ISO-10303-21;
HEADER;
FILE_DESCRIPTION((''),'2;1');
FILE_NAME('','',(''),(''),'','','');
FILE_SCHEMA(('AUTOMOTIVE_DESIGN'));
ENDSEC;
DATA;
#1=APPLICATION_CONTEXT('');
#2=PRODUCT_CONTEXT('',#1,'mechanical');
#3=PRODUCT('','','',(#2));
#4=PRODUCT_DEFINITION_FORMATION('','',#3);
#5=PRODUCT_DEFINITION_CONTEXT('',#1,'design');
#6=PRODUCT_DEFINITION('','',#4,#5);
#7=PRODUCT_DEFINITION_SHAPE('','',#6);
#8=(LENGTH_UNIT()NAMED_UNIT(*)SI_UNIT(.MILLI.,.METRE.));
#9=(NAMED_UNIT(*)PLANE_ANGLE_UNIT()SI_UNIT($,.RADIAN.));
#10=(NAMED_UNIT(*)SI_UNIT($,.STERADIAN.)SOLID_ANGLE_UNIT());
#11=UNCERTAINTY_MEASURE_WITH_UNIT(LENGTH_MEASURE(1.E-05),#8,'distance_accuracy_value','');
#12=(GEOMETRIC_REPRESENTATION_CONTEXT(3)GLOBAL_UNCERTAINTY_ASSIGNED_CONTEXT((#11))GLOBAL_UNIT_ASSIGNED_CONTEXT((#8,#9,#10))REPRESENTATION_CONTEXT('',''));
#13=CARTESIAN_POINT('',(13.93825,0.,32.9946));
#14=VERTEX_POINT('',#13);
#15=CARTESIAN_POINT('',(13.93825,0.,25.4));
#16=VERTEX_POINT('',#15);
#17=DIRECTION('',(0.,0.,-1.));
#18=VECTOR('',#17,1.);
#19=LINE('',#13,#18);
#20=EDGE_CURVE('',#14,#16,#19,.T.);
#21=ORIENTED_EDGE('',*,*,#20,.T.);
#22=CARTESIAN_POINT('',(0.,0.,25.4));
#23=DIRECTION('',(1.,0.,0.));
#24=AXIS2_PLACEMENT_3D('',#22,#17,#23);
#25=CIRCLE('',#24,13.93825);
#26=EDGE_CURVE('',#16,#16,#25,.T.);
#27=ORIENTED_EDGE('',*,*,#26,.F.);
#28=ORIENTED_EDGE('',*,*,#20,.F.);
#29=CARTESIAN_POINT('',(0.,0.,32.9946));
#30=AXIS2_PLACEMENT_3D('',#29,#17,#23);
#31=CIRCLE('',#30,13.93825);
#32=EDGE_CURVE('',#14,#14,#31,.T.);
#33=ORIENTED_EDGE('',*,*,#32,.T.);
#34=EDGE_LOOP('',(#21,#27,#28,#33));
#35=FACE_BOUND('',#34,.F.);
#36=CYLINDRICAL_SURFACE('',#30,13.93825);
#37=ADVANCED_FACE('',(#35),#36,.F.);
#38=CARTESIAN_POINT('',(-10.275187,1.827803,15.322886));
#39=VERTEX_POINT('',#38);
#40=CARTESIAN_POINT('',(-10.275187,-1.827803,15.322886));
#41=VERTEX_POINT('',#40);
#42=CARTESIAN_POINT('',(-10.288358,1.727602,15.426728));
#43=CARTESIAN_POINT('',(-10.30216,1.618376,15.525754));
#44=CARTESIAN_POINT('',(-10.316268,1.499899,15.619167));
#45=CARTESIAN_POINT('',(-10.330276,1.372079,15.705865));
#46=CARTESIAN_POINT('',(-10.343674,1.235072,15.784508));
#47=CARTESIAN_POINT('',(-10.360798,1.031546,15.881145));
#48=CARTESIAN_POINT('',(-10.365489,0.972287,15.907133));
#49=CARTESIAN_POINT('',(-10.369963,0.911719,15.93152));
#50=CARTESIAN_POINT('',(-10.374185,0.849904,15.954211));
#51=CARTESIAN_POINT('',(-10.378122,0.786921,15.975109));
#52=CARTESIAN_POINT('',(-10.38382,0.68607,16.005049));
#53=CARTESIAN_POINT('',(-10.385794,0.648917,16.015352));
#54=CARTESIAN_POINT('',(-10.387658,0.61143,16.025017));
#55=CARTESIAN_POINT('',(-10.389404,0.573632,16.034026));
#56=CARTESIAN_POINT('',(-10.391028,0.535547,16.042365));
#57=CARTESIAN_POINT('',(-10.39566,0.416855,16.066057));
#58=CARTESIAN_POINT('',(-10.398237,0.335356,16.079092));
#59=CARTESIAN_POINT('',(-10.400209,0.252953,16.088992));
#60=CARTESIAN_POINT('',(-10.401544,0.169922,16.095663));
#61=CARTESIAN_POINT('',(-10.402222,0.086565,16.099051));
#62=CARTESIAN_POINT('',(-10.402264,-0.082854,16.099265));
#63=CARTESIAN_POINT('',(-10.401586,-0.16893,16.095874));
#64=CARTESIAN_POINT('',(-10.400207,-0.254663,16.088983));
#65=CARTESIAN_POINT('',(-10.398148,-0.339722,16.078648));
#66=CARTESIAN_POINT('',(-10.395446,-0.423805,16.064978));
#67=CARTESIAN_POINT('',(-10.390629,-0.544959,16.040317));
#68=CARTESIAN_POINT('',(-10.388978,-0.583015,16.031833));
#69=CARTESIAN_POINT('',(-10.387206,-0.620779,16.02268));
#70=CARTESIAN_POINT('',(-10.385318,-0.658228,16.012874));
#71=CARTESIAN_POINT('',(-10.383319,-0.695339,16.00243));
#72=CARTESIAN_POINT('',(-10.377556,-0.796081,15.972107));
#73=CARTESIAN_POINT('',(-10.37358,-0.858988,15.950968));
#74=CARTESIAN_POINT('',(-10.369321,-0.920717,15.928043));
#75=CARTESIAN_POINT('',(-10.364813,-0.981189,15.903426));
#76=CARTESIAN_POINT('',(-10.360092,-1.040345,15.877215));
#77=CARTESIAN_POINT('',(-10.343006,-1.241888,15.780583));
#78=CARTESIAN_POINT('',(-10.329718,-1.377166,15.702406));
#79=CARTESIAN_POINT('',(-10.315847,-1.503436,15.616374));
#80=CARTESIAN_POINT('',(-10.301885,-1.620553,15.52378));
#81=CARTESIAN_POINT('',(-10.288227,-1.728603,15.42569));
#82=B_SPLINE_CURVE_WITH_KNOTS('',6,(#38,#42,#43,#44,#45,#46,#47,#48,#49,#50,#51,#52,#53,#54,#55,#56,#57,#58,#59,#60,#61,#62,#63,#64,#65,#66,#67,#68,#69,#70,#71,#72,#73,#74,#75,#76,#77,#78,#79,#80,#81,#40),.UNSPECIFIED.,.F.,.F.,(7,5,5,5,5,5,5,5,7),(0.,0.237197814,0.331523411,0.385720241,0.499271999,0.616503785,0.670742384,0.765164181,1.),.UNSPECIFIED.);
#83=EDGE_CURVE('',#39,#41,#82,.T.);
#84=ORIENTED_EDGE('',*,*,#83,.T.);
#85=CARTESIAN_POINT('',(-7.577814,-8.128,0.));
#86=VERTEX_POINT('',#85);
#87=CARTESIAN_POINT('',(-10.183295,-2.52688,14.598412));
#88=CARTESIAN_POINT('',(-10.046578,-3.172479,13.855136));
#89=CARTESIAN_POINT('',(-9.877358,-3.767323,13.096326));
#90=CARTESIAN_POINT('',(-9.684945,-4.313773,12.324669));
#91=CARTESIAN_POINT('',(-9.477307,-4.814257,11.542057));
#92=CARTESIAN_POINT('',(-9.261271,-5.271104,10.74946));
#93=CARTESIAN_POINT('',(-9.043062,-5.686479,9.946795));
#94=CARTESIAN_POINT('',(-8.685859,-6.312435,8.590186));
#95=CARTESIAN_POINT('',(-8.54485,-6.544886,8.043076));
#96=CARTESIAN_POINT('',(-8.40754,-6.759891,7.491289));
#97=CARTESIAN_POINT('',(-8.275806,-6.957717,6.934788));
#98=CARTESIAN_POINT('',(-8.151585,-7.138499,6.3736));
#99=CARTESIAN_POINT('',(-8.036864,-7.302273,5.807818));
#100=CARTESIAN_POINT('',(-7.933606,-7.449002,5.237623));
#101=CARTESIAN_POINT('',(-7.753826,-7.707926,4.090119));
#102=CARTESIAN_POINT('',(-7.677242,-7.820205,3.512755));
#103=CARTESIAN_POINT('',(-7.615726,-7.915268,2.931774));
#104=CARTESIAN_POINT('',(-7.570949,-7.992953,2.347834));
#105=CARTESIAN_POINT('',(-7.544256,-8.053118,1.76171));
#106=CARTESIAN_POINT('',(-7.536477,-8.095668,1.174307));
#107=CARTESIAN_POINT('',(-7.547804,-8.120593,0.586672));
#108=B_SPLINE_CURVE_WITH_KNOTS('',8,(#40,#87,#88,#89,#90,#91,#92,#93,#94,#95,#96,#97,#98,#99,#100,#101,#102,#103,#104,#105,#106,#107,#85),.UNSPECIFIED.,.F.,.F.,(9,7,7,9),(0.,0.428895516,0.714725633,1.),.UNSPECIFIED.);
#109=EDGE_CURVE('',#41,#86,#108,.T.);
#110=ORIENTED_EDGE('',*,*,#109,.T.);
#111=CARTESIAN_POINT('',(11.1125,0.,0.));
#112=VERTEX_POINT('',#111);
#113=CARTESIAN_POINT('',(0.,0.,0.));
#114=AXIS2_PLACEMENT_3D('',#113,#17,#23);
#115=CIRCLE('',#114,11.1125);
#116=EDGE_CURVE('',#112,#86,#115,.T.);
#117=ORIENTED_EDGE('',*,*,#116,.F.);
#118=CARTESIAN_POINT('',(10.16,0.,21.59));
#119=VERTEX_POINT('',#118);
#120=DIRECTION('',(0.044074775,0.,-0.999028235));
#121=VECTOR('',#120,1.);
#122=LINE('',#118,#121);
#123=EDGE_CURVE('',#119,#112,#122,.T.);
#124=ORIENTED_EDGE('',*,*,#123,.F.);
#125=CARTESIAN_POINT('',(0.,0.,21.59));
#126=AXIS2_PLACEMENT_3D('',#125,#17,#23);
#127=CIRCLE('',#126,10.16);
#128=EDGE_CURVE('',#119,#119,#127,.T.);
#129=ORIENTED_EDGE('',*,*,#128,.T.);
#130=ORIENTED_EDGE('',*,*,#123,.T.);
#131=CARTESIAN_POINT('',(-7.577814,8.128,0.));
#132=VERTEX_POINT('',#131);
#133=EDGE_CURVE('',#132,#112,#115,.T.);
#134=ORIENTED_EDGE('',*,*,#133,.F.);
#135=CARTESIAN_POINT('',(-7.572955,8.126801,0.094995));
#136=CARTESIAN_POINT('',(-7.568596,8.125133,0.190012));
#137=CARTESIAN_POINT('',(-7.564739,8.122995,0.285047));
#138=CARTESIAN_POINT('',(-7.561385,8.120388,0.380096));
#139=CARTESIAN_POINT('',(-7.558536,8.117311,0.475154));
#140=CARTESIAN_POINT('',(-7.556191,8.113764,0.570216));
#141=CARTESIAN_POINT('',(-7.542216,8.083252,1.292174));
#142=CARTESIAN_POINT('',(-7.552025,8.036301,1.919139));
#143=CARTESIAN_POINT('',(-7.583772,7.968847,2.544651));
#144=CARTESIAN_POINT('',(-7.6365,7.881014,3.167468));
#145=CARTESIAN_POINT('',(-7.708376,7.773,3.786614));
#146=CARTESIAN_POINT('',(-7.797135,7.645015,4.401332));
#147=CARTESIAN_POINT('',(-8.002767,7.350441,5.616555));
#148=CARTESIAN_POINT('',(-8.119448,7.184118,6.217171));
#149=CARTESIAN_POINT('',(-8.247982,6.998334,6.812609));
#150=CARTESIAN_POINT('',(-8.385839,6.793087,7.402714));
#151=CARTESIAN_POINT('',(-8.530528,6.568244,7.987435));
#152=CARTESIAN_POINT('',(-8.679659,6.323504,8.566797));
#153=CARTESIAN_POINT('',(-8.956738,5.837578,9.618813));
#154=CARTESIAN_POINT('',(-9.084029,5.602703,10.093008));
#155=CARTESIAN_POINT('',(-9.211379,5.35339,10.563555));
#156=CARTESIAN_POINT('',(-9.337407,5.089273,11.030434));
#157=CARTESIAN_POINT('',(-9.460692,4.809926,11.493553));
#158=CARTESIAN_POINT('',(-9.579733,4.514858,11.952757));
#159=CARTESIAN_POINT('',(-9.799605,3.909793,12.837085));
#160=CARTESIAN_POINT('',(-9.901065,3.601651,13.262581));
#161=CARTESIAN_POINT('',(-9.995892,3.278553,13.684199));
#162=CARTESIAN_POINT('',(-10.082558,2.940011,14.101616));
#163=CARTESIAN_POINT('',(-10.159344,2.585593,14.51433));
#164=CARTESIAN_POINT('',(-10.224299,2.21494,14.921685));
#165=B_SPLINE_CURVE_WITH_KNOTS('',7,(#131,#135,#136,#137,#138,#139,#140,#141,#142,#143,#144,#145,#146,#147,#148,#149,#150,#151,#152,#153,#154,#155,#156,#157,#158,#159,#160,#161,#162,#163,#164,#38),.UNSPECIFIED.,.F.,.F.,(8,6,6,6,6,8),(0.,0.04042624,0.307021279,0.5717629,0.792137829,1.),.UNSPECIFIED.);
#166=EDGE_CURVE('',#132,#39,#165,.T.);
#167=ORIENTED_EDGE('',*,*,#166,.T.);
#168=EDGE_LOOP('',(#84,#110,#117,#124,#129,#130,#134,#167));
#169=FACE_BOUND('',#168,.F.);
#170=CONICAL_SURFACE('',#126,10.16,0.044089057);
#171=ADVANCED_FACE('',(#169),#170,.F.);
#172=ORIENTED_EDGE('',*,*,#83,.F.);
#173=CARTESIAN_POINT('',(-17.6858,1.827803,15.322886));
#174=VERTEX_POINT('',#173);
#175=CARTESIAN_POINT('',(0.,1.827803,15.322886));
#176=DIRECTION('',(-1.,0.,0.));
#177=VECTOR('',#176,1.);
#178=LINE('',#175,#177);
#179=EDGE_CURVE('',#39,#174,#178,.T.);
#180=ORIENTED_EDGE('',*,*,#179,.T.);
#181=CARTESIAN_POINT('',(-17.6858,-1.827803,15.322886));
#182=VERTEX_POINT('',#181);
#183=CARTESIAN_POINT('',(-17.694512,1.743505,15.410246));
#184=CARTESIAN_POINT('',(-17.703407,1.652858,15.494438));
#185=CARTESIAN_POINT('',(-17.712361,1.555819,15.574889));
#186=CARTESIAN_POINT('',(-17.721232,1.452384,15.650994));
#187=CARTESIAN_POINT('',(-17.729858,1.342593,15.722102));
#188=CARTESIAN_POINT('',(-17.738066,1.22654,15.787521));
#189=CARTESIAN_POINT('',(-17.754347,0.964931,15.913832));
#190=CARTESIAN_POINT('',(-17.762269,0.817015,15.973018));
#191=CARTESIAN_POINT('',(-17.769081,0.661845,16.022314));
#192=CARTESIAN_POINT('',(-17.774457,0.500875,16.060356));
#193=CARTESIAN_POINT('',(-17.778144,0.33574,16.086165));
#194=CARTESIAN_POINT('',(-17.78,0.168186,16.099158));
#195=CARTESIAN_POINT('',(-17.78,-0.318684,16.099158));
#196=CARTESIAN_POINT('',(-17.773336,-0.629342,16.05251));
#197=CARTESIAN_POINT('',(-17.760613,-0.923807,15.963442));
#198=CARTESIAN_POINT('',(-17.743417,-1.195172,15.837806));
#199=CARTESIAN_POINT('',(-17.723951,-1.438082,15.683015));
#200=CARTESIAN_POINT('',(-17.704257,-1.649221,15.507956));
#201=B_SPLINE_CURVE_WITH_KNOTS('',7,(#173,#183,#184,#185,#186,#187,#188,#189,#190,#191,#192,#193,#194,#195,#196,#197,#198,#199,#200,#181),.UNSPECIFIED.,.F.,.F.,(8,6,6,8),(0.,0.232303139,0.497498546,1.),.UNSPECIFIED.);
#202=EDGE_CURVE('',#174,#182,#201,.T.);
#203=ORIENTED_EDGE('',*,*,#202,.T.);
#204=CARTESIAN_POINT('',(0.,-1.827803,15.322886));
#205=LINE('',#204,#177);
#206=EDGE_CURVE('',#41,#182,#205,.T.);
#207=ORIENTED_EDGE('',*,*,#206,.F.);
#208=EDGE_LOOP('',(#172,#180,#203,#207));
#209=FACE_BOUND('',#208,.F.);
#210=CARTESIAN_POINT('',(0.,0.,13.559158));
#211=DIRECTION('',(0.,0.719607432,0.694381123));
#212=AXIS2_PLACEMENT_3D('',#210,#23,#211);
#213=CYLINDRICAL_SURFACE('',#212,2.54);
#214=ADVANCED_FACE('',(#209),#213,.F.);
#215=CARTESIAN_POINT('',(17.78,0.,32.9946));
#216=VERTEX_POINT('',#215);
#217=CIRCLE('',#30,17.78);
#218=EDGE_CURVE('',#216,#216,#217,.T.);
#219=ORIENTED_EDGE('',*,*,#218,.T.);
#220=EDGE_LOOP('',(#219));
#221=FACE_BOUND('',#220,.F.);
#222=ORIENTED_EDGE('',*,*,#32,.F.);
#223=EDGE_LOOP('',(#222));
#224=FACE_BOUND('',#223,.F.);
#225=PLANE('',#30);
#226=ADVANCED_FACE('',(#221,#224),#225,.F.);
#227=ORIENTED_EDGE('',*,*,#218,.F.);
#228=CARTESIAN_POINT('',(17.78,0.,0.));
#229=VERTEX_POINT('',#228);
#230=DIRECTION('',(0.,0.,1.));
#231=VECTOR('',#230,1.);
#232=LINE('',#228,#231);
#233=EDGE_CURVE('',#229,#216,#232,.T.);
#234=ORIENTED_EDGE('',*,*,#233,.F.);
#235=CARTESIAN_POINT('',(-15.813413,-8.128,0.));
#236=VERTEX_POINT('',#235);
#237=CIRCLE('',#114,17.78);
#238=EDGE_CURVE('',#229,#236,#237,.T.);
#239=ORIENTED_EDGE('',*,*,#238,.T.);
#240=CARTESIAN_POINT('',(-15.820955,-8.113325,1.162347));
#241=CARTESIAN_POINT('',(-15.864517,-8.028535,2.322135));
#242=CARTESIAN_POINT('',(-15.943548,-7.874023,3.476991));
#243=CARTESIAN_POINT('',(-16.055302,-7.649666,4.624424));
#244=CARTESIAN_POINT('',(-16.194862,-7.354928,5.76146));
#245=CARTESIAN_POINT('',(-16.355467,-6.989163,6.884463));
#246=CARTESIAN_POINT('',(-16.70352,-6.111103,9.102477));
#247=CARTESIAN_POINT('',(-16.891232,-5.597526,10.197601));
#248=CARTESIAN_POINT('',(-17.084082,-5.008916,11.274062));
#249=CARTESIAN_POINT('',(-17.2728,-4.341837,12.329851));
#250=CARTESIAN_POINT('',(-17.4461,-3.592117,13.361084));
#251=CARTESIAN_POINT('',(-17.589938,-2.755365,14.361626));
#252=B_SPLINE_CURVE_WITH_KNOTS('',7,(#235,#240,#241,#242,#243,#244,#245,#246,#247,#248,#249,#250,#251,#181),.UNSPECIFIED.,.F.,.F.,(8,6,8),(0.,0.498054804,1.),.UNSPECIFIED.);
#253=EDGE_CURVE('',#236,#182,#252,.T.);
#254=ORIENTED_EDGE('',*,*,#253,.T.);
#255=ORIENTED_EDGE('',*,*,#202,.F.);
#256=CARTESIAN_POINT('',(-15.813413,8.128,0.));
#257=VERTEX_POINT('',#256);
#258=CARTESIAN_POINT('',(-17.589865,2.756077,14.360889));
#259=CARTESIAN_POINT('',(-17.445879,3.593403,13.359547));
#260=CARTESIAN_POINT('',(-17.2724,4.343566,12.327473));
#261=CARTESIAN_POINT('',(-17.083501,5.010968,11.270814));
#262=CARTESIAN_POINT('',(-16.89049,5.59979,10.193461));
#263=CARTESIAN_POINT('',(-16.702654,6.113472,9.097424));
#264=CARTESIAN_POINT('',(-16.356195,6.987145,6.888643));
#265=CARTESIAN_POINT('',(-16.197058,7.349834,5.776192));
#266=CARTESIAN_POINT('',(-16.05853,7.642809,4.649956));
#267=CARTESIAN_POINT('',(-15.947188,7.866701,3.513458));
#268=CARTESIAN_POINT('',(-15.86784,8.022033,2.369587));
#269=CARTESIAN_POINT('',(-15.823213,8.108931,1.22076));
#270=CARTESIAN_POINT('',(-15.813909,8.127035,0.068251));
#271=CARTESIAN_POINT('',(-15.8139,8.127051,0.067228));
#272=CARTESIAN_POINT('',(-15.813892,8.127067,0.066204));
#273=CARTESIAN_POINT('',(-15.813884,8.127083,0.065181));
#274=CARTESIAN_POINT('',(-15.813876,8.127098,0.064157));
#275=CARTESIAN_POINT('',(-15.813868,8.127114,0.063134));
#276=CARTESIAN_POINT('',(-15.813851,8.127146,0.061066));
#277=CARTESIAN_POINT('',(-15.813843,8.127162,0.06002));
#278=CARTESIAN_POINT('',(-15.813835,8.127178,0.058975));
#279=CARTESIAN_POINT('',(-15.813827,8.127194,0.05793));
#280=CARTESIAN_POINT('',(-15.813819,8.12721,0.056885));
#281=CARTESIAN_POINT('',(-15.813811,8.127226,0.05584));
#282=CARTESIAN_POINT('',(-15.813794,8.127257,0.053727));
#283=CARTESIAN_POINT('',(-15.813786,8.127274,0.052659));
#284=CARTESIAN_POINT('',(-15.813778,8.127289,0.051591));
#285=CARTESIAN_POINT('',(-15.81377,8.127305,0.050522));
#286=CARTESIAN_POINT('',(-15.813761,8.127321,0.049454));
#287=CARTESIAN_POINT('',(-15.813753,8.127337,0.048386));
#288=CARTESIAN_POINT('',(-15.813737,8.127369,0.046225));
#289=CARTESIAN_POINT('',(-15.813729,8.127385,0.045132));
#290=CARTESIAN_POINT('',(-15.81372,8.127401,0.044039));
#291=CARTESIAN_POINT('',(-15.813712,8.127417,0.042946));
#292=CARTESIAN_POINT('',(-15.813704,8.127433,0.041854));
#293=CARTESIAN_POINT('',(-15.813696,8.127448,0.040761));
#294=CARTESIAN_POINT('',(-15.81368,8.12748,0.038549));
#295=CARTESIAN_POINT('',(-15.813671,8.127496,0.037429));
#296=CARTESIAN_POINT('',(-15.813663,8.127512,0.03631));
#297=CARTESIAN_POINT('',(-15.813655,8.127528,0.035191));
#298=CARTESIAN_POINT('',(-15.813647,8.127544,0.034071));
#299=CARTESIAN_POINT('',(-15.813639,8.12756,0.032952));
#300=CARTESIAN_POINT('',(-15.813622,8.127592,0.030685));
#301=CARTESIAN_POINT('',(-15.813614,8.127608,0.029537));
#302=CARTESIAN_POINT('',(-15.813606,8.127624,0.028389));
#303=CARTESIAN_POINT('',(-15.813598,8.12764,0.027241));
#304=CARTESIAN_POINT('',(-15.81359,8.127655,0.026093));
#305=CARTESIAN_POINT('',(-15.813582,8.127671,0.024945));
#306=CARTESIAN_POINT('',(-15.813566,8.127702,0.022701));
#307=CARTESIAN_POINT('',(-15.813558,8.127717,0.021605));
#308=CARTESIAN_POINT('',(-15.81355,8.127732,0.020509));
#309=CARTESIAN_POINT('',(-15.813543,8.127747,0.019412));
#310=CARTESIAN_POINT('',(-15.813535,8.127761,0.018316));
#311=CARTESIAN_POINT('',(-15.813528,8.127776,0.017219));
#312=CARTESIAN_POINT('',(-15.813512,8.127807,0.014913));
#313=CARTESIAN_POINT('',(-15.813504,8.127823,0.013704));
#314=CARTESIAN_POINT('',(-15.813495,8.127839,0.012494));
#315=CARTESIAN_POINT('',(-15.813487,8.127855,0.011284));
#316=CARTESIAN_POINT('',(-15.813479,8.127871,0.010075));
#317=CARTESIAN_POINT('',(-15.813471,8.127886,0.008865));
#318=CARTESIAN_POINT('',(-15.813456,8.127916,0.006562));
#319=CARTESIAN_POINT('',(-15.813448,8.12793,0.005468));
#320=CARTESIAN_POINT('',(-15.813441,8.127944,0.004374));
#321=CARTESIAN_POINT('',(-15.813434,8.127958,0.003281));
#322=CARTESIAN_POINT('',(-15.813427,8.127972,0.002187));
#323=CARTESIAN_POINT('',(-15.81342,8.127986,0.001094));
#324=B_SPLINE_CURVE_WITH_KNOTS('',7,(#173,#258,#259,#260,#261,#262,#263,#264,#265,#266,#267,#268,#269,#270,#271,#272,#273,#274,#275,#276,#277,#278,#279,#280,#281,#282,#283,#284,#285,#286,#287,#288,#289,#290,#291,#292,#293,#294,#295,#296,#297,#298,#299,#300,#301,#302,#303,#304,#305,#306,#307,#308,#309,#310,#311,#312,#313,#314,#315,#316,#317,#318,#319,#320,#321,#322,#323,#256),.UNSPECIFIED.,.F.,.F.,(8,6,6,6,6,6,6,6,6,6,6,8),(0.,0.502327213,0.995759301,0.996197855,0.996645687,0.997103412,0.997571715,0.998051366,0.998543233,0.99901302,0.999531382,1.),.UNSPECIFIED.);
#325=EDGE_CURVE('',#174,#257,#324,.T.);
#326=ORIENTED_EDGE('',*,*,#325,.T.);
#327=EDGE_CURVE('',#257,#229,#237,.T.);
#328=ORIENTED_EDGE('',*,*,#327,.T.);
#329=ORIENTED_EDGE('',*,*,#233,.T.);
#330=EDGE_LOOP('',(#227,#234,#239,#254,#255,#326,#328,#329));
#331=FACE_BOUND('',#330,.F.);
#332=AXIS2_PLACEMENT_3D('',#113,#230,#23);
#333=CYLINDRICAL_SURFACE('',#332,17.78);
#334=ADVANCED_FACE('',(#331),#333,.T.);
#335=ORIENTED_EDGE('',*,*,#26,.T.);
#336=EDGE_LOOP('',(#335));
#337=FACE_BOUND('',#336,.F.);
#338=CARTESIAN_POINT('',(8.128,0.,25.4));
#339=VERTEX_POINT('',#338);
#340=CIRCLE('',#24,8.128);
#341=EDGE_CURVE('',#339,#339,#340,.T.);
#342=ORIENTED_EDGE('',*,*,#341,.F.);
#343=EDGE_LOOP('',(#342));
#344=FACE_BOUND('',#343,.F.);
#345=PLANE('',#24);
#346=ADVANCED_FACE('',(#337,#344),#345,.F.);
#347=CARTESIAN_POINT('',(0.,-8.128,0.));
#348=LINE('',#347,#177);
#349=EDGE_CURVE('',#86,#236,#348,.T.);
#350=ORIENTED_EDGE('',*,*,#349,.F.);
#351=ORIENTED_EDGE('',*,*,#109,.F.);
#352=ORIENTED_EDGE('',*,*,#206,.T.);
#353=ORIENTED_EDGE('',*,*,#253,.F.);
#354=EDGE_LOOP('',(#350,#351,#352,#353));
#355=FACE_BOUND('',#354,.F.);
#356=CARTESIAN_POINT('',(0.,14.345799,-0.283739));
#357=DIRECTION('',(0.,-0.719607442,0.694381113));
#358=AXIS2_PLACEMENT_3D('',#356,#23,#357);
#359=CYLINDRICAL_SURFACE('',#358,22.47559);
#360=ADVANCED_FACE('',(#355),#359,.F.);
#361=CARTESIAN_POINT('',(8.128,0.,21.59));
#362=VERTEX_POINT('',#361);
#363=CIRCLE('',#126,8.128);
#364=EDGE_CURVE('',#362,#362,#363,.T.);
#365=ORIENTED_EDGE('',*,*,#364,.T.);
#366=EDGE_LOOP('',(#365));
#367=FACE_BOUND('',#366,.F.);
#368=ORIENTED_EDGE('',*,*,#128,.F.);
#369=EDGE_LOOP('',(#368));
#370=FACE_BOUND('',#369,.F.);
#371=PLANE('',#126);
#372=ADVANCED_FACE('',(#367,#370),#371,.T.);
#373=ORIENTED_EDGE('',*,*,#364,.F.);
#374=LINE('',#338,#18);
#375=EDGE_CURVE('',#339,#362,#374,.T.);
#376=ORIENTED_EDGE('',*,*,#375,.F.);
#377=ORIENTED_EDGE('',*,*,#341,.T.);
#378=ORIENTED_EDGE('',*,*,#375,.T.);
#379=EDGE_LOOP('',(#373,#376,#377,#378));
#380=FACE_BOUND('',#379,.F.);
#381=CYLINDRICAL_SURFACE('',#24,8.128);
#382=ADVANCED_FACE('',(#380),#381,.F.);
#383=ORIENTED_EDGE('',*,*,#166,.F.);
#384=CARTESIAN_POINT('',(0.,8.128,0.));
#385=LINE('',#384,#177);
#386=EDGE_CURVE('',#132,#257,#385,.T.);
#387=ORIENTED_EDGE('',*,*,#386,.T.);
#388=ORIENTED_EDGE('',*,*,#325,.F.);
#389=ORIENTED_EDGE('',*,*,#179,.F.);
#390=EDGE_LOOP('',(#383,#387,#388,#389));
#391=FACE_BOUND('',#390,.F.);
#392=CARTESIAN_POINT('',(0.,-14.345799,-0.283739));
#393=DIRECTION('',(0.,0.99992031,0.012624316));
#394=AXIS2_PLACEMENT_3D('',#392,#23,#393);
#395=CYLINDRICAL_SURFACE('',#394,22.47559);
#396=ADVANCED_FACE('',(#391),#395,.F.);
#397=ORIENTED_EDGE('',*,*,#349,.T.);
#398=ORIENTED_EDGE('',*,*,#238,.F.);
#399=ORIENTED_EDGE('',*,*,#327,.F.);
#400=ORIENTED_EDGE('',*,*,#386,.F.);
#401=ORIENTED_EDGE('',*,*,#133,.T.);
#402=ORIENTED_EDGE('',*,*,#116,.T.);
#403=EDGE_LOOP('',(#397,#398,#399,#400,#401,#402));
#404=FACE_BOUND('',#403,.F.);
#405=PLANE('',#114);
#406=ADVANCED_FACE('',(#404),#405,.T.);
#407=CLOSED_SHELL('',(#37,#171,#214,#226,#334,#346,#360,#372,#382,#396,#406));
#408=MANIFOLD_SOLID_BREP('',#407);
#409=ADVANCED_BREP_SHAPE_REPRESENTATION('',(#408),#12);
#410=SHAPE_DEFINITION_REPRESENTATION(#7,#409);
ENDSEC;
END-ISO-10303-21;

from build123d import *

# Parameters (mm, degrees)
F3_DEPTH = 25.4


with BuildPart() as f1:
    # F0 (on Front) → F1 (revolve)
    with BuildSketch(Plane.XZ):
        Polygon((13.93825, 25.4), (8.128, 25.4), (8.128, 21.59), (10.16, 21.59), (11.1125, 0), (17.78, 0), (17.78, 32.9946), (13.93825, 32.9946), align=None)
    revolve(axis=Axis((0, 0, 10.795), (0, 0, -1)))

    # F2 (on Right) → F3 (cut)
    with BuildSketch(Plane.YZ):
        with BuildLine():
            ThreePointArc((1.827803, 15.322886), (0, 16.099158), (-1.827803, 15.322886))
            ThreePointArc((-1.827803, 15.322886), (-6.441291, 8.263134), (-8.128, 0))
            Line((-8.128, 0), (8.128, 0))
            ThreePointArc((8.128, 0), (6.441291, 8.263134), (1.827803, 15.322886))
        make_face()
    extrude(amount=-F3_DEPTH, mode=Mode.SUBTRACT)


solid = f1.part
